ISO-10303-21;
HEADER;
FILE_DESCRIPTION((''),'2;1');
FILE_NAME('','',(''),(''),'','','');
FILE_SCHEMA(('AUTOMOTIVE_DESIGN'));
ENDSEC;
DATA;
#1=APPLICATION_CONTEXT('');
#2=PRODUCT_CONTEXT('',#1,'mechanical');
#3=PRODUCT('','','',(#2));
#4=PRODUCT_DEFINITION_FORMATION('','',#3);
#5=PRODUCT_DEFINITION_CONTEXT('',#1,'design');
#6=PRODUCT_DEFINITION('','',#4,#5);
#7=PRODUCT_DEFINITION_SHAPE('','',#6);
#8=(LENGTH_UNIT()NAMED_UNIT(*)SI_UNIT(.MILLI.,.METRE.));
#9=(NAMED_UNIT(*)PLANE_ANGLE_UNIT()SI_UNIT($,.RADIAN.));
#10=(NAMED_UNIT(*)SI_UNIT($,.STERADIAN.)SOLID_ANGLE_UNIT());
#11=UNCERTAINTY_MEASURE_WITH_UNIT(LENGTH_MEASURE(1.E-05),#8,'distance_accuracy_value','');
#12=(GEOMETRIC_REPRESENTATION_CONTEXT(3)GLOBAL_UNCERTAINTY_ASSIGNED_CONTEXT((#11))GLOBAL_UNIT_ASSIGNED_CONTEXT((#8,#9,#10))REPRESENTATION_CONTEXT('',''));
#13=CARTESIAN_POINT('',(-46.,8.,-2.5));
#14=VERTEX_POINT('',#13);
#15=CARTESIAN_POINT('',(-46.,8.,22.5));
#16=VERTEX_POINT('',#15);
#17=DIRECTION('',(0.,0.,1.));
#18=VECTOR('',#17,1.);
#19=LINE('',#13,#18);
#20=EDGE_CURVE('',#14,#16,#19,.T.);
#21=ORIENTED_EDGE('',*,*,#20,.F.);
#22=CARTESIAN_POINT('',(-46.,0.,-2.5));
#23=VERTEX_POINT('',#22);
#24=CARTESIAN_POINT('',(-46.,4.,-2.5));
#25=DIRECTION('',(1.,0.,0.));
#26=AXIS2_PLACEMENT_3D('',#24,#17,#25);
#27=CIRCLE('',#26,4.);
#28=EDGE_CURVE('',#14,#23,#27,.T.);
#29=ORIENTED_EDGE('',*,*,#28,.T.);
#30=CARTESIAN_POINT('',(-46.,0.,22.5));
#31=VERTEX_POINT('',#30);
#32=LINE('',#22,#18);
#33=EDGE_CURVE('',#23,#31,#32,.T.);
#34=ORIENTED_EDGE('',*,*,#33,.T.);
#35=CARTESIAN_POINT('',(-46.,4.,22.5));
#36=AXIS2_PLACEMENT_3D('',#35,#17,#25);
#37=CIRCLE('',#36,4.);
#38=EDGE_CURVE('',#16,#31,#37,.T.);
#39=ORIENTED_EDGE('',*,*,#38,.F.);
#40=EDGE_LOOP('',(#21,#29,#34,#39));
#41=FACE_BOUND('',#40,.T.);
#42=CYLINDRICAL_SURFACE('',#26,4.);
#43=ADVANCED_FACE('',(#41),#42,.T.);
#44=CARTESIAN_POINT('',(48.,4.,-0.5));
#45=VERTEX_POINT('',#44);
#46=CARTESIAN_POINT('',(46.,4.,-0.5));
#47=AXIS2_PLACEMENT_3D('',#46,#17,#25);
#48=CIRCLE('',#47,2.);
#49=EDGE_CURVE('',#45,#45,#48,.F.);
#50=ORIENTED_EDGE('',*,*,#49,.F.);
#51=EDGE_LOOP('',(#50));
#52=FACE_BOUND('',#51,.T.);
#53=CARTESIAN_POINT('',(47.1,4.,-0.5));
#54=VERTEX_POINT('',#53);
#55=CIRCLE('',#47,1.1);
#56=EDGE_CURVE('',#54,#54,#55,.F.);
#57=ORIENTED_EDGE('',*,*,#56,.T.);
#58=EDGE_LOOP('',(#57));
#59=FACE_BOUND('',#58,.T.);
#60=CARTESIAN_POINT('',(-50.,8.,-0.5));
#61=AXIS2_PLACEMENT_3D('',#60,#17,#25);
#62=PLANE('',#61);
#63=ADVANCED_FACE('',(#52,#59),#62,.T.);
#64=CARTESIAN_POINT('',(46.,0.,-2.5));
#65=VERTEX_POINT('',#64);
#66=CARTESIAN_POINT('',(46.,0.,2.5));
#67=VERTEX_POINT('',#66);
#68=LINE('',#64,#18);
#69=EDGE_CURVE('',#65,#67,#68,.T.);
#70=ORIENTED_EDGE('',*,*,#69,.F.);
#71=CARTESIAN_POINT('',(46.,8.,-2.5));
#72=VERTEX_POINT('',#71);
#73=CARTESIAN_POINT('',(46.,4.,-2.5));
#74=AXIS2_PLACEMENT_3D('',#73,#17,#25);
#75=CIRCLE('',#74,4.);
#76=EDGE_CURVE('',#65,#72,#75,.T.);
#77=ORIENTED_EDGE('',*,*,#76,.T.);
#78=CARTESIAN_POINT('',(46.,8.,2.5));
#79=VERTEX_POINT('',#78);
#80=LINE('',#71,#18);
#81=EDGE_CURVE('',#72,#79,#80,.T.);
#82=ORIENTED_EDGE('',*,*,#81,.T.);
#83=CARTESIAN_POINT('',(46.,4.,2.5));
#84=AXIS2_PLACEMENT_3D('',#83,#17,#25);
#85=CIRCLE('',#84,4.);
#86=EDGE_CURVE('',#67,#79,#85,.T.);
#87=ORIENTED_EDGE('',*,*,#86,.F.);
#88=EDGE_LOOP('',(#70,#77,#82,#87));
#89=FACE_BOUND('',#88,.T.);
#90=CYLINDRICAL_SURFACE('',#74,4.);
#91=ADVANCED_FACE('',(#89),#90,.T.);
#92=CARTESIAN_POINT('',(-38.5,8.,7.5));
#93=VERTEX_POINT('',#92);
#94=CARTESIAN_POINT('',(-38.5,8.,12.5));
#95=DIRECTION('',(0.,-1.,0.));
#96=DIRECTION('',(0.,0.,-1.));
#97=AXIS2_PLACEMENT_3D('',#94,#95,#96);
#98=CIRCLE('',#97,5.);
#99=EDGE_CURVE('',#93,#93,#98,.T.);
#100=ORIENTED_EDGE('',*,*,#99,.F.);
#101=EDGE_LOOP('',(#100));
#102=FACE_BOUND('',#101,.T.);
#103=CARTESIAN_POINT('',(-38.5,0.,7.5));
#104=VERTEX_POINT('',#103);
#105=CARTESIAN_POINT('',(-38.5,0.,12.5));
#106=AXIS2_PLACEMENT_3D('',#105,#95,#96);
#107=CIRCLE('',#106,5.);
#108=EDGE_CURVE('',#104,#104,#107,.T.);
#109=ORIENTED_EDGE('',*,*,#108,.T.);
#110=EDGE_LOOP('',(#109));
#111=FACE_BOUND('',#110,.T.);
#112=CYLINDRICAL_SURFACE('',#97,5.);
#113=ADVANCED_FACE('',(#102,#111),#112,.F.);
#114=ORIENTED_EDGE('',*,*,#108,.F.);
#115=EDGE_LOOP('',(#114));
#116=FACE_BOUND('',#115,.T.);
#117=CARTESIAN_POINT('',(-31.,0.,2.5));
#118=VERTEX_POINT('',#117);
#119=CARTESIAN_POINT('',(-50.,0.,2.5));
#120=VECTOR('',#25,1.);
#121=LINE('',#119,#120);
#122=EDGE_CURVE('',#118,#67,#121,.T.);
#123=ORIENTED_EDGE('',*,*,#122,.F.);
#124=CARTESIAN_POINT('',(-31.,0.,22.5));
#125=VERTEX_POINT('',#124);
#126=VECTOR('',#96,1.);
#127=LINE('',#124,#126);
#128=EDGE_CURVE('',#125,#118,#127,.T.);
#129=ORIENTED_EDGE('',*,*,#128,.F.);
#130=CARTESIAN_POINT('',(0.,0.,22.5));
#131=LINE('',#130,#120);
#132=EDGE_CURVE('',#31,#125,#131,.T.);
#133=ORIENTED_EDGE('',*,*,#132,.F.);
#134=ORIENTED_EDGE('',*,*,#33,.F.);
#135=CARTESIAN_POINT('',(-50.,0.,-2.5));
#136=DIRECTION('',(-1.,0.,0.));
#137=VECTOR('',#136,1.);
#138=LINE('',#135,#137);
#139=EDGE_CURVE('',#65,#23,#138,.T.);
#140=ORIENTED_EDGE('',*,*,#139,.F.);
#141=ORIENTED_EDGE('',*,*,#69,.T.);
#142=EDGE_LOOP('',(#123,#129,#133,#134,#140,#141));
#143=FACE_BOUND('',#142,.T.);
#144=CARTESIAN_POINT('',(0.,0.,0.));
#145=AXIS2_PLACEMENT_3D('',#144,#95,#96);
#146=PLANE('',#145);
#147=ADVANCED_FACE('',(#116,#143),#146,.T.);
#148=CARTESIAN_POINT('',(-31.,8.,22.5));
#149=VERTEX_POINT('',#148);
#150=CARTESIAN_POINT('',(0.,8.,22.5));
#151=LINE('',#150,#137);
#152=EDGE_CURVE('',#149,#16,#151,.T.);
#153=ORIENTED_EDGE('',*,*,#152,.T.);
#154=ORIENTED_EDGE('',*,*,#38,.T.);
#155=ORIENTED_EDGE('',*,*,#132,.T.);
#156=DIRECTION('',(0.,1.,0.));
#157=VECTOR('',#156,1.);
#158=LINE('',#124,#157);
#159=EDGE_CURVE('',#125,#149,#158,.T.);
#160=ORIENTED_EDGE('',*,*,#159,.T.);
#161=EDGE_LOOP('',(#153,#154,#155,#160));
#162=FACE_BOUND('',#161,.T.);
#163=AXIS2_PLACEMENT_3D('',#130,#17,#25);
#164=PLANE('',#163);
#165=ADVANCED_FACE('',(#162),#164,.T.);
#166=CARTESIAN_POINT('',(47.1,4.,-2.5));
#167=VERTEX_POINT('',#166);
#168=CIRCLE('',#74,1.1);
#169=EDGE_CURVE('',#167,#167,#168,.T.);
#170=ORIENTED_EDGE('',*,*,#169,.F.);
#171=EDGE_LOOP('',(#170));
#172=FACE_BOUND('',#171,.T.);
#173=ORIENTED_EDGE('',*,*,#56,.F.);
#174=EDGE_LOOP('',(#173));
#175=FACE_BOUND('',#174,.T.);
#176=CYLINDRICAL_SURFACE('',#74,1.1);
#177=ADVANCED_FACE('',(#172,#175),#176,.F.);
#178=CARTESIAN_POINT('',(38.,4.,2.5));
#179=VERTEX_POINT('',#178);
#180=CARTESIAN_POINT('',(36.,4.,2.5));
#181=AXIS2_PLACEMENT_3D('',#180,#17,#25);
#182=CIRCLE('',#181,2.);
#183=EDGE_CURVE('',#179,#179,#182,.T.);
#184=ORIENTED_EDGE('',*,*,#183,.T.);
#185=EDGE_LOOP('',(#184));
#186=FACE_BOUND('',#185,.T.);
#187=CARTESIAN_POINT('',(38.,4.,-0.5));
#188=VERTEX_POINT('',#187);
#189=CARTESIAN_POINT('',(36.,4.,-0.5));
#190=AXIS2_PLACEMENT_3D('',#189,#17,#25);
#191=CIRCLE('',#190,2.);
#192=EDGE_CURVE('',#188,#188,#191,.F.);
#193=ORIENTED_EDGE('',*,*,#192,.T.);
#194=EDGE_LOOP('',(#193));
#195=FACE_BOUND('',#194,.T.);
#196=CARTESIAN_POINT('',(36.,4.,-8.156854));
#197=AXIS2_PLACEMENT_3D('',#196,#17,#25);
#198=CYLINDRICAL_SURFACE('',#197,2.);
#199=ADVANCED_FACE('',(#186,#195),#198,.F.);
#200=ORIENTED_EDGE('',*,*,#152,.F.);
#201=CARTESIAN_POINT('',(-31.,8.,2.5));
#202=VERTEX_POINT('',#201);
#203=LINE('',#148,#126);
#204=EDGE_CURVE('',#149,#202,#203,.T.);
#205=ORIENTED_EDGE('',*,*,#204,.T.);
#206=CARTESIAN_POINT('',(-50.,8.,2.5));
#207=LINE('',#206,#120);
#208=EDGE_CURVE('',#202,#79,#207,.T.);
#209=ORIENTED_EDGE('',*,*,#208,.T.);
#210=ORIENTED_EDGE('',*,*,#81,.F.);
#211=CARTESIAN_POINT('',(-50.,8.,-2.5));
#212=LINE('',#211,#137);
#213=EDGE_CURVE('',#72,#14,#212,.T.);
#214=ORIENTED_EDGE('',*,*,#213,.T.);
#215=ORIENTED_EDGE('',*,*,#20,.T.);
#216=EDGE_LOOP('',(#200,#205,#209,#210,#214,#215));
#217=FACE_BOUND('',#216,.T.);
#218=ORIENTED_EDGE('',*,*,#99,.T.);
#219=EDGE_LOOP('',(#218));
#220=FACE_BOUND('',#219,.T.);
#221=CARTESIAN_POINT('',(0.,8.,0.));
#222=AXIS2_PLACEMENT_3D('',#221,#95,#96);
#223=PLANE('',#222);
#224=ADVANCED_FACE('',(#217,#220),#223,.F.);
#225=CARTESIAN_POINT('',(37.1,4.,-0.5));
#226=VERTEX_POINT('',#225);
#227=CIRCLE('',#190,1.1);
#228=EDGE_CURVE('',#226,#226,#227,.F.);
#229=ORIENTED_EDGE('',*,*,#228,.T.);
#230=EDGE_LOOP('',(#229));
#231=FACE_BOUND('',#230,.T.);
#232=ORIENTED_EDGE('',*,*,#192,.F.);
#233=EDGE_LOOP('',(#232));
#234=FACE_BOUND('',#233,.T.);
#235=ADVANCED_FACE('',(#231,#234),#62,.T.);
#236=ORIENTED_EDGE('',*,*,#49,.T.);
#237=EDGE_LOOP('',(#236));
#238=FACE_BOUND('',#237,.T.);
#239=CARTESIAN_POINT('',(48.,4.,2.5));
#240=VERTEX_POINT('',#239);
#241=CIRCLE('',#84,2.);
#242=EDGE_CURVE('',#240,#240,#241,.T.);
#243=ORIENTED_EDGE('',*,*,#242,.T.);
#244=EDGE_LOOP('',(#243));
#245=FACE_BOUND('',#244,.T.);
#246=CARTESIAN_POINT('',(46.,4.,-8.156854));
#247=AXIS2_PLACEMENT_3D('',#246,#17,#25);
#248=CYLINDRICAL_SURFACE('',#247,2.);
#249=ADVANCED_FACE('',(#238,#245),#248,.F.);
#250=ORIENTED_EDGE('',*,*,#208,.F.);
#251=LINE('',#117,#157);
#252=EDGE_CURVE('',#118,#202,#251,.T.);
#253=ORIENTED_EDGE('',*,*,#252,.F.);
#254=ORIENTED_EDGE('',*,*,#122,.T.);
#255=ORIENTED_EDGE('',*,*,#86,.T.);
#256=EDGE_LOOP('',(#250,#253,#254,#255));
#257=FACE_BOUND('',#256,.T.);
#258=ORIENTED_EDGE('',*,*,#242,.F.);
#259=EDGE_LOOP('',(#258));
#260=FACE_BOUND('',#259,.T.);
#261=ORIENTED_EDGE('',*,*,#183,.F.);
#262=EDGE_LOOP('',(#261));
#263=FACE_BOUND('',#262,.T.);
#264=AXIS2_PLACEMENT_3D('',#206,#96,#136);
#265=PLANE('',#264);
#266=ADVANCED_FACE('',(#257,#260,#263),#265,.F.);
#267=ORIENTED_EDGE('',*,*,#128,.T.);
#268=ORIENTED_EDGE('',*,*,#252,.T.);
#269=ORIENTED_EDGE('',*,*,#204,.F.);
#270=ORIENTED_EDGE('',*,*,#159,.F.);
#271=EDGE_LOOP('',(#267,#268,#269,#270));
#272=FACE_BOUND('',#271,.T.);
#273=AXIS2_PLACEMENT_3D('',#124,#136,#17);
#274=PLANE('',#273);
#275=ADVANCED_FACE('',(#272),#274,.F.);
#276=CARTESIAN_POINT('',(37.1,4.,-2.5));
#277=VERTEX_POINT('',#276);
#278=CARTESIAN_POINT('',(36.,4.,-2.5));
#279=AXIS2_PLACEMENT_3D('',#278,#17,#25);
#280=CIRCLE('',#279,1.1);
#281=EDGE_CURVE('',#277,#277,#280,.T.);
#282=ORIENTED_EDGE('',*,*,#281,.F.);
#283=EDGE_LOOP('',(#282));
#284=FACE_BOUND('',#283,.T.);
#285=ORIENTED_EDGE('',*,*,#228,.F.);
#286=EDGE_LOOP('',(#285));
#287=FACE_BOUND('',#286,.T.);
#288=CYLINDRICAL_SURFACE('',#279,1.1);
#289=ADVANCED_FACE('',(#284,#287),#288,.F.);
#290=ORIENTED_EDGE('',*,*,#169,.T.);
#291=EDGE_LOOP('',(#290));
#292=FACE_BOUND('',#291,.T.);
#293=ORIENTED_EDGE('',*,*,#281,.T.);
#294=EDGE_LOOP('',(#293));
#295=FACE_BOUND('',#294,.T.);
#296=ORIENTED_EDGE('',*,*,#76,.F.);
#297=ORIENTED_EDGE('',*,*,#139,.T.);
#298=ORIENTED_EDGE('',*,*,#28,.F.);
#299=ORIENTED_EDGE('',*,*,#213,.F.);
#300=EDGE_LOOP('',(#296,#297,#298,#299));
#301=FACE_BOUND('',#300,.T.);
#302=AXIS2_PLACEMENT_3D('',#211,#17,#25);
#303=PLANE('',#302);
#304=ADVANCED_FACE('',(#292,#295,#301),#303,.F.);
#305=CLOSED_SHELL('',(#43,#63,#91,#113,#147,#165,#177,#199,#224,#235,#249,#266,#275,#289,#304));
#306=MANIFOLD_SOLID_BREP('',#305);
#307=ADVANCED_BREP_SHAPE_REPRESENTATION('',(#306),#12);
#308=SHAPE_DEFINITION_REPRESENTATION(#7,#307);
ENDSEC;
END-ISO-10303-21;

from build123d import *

# Parameters (mm, degrees)
SKETCH_1_W          = 100
SKETCH_1_H          = 5
EXTRUDE_1_DEPTH     = 8
SKETCH_2_R          = 1.1
CUT_EXTRUDE_1_DEPTH = 51.882216933
SKETCH_2_3_R        = 2
CUT_EXTRUDE_2_DEPTH = 3
CUT_EXTRUDE_3_DEPTH = 51.882216933
CUT_EXTRUDE_4_DEPTH = 51.882216933
EXTRUDE_START       = 20
SKETCH_4_W          = 15
SKETCH_4_H          = 8
EXTRUDE_2_DEPTH     = 20
CUT_EXTRUDE_5_DEPTH = 56.409836672


with BuildPart() as part:
    # 草图1 → 凸台-拉伸1 (new body)
    with BuildSketch(Plane(origin=(0, 0, 0), x_dir=(1, 0, 0), z_dir=(0, 1, 0))):
        Rectangle(SKETCH_1_W, SKETCH_1_H)
    extrude(amount=EXTRUDE_1_DEPTH)

    # 草图2 → 切除-拉伸1 (cut, through all)
    with BuildSketch(Plane.XY.offset(2.5)):
        with Locations((46, 4)):
            Circle(SKETCH_2_R)
        with Locations((36, 4)):
            Circle(SKETCH_2_R)
    extrude(amount=-CUT_EXTRUDE_1_DEPTH, mode=Mode.SUBTRACT)

    # 草图2<3> → 切除-拉伸2 (cut)
    with BuildSketch(Plane.XY.offset(2.5)):
        with Locations((36, 4)):
            Circle(SKETCH_2_3_R)
        with Locations((46, 4)):
            Circle(SKETCH_2_3_R)
    extrude(amount=-CUT_EXTRUDE_2_DEPTH, mode=Mode.SUBTRACT)

    # 草图3 → 切除-拉伸3 (cut, through all)
    with BuildSketch(Plane.XY.offset(2.5)):
        with BuildLine():
            ThreePointArc((50, 4), (48.828427125, 1.171572875), (46, 0))
            Line((46, 0), (50, 0))
            Line((50, 0), (50, 4))
        make_face()
        with BuildLine():
            Line((50, 8), (46, 8))
            ThreePointArc((46, 8), (48.828427125, 6.828427125), (50, 4))
            Line((50, 4), (50, 8))
        make_face()
    extrude(amount=-CUT_EXTRUDE_3_DEPTH, mode=Mode.SUBTRACT)

    # 草图3<3> → 切除-拉伸4 (cut, through all)
    with BuildSketch(Plane.XY.offset(2.5)):
        with BuildLine():
            ThreePointArc((-50, 4), (-48.828427125, 6.828427125), (-46, 8))
            Line((-46, 8), (-50, 8))
            Line((-50, 8), (-50, 4))
        make_face()
        with BuildLine():
            Line((-50, 0), (-46, 0))
            ThreePointArc((-46, 0), (-48.828427125, 1.171572875), (-50, 4))
            Line((-50, 4), (-50, 0))
        make_face()
    extrude(amount=-CUT_EXTRUDE_4_DEPTH, mode=Mode.SUBTRACT)

    # 草图4 → 凸台-拉伸2 (add)
    with BuildSketch(Plane.XY.offset(2.5).offset(EXTRUDE_START)):
        with BuildLine():
            Line((-46, 0), (-46, 8))
            ThreePointArc((-46, 8), (-50, 4), (-46, 0))
        make_face()
        with Locations((-38.5, 4)):
            Rectangle(SKETCH_4_W, SKETCH_4_H)
    extrude(amount=-EXTRUDE_2_DEPTH)

    # 草图5 → 切除-拉伸5 (cut, through all)
    with BuildSketch(Plane.XZ):
        with BuildLine():
            ThreePointArc((-33.5, 12.5), (-38.5, 17.5), (-43.5, 12.5))
            Line((-43.5, 12.5), (-33.5, 12.5))
        make_face()
        with BuildLine():
            Line((-33.5, 12.5), (-43.5, 12.5))
            ThreePointArc((-43.5, 12.5), (-38.5, 7.5), (-33.5, 12.5))
        make_face()
    extrude(amount=-CUT_EXTRUDE_5_DEPTH, mode=Mode.SUBTRACT)


solid = part.part
